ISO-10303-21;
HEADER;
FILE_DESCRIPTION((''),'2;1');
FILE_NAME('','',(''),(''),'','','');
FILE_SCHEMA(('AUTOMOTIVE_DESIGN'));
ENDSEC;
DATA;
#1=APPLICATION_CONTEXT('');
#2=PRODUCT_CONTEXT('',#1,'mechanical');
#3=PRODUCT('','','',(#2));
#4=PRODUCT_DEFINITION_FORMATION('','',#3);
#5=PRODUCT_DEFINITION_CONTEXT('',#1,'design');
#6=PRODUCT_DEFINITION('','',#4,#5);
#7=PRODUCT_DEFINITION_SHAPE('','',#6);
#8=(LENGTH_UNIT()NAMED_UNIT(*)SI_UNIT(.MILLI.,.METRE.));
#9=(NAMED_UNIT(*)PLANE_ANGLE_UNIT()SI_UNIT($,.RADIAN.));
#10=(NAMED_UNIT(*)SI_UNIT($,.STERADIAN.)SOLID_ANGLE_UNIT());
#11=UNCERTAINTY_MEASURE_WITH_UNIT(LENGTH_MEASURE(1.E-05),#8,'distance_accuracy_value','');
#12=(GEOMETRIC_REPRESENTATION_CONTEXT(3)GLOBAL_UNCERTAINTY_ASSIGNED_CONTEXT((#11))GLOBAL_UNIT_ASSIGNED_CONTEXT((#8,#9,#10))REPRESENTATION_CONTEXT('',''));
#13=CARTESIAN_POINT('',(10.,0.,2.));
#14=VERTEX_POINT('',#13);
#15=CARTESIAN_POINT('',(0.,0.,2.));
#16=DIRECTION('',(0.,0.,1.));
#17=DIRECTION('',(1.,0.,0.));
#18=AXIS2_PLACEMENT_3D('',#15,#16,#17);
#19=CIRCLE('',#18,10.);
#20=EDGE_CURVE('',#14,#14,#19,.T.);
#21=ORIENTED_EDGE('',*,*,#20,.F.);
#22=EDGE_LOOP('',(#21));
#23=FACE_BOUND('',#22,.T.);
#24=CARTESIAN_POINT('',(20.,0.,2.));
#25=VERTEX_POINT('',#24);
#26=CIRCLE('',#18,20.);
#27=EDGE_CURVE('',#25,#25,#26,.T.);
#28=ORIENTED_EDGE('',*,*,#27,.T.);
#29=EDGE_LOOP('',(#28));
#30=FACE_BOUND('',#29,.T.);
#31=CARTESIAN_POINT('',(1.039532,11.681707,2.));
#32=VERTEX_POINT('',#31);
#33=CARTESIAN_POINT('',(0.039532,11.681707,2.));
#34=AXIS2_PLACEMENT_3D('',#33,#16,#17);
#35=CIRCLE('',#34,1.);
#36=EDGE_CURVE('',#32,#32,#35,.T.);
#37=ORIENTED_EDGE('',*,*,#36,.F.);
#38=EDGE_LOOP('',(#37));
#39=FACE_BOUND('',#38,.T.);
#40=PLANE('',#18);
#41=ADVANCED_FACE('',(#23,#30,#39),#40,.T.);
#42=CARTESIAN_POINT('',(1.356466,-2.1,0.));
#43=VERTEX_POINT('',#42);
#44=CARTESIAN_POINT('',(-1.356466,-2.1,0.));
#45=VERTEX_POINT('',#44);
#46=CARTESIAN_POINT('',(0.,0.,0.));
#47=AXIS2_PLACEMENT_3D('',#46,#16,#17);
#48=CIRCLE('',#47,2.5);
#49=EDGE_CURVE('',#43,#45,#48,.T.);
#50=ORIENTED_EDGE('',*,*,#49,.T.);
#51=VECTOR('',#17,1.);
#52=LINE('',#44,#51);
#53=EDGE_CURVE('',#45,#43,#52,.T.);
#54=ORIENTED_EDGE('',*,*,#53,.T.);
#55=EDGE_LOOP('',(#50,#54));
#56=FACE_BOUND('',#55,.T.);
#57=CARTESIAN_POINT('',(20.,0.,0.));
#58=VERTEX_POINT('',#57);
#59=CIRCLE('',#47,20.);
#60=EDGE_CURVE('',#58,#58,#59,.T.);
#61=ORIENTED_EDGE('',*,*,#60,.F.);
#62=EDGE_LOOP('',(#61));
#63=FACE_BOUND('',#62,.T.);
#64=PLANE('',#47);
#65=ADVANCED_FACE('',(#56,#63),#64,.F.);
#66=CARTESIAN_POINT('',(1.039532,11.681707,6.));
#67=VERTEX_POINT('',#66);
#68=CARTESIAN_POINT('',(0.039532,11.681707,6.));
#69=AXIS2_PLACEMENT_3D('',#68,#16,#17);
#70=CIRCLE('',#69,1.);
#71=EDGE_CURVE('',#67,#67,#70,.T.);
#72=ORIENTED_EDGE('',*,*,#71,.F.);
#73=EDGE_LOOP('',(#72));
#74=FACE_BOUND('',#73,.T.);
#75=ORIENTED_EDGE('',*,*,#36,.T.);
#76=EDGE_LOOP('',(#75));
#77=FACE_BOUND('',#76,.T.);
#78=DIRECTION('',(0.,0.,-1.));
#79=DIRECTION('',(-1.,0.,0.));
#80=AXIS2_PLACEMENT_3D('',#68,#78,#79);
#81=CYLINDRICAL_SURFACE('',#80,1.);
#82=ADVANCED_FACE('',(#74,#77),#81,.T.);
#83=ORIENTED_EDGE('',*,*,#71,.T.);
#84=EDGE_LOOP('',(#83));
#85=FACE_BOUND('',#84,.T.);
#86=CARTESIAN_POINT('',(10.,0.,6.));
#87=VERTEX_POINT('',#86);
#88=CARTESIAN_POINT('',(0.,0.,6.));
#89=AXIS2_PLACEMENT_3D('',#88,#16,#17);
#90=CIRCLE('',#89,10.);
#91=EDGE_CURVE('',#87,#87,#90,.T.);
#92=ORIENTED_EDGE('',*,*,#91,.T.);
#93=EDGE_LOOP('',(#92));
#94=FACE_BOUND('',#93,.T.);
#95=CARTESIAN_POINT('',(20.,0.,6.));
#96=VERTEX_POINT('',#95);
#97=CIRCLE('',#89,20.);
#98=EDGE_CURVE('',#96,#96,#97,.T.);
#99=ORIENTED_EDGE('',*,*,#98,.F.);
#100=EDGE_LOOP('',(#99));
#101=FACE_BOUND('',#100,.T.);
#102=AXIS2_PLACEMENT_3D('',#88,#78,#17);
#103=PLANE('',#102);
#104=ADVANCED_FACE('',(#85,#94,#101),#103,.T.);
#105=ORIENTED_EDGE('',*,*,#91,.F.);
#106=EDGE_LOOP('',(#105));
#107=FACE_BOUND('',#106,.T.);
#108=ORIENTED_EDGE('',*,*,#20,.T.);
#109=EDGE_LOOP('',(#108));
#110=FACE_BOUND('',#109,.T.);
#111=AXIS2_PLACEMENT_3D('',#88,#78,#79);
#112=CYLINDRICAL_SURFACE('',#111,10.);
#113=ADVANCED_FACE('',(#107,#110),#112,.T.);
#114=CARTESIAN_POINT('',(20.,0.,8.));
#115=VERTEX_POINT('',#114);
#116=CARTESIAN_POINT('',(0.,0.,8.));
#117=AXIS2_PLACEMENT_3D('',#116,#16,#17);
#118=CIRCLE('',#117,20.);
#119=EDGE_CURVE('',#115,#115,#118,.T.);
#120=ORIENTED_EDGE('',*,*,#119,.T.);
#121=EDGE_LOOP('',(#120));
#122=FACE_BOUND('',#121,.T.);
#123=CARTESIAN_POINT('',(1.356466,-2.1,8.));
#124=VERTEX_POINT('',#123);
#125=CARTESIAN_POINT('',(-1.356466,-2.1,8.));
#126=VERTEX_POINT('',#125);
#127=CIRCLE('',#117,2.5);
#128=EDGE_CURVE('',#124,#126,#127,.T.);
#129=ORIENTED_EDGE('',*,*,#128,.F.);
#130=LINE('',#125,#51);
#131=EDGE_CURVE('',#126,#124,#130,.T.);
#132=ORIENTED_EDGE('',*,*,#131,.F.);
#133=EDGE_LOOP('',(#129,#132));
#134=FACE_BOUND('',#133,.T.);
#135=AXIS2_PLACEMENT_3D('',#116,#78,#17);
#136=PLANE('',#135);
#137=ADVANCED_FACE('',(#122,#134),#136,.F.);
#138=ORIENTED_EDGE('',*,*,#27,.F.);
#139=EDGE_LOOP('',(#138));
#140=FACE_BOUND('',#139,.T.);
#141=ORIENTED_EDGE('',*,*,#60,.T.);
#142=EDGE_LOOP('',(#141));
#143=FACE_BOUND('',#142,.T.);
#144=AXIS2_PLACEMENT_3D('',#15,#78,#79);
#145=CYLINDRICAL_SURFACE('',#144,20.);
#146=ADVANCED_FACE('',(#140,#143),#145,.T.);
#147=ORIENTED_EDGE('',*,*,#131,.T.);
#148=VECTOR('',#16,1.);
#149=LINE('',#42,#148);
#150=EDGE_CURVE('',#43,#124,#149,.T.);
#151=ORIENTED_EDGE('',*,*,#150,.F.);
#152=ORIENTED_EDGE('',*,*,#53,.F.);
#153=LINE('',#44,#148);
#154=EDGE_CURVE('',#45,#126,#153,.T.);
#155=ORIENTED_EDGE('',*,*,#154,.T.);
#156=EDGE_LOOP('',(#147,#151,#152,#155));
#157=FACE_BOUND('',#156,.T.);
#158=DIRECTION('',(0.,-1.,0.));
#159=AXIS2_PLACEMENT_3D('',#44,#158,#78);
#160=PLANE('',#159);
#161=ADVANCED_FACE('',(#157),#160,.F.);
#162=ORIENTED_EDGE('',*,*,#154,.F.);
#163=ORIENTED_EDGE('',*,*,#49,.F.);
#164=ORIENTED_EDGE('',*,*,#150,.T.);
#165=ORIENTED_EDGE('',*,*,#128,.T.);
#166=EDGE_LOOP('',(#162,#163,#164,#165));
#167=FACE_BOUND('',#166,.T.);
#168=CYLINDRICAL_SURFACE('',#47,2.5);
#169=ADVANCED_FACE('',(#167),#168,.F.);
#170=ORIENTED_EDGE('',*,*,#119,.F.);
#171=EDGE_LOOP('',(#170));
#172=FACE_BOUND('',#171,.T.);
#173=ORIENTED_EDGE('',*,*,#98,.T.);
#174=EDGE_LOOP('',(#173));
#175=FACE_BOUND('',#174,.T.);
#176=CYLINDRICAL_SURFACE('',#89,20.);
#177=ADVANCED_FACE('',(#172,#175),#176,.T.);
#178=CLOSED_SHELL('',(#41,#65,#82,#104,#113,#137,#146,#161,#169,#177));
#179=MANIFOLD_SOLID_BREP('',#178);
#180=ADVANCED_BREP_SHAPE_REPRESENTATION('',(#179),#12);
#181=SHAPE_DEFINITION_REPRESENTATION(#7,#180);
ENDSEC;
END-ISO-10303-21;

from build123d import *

# Parameters (mm, degrees)
SKETCH_1_R          = 20
EXTRUDE_1_DEPTH     = 2
SKETCH_2_R          = 10
EXTRUDE_2_DEPTH     = 4
SKETCH_3_R          = 1
EXTRUDE_3_DEPTH     = 4
CUT_EXTRUDE_1_DEPTH = 8


with BuildPart() as part:
    # 草图1 → 凸台-拉伸1 (new body)
    with BuildSketch(Plane.XY):
        Circle(SKETCH_1_R)
    extrude_1 = extrude(amount=EXTRUDE_1_DEPTH)

    # 草图2 → 凸台-拉伸2 (add)
    with BuildSketch(Plane.XY.offset(2)):
        Circle(SKETCH_2_R)
    extrude(amount=EXTRUDE_2_DEPTH)

    # 草图3 → 凸台-拉伸3 (add)
    with BuildSketch(Plane.XY.offset(2)):
        with Locations((0.039532003, 11.681707008)):
            Circle(SKETCH_3_R)
    extrude(amount=EXTRUDE_3_DEPTH)

    # 镜向2: 凸台-拉伸1 across plane
    add(extrude_1.mirror(Plane.XY.offset(4)))

    # 草图4 → 切除-拉伸1 (cut)
    with BuildSketch(Plane.XY.offset(8)):
        with BuildLine():
            Line((-1.356465997, -2.1), (1.356465997, -2.1))
            ThreePointArc((1.356465997, -2.1), (0, 2.5), (-1.356465997, -2.1))
        make_face()
    extrude(amount=-CUT_EXTRUDE_1_DEPTH, mode=Mode.SUBTRACT)


solid = part.part
